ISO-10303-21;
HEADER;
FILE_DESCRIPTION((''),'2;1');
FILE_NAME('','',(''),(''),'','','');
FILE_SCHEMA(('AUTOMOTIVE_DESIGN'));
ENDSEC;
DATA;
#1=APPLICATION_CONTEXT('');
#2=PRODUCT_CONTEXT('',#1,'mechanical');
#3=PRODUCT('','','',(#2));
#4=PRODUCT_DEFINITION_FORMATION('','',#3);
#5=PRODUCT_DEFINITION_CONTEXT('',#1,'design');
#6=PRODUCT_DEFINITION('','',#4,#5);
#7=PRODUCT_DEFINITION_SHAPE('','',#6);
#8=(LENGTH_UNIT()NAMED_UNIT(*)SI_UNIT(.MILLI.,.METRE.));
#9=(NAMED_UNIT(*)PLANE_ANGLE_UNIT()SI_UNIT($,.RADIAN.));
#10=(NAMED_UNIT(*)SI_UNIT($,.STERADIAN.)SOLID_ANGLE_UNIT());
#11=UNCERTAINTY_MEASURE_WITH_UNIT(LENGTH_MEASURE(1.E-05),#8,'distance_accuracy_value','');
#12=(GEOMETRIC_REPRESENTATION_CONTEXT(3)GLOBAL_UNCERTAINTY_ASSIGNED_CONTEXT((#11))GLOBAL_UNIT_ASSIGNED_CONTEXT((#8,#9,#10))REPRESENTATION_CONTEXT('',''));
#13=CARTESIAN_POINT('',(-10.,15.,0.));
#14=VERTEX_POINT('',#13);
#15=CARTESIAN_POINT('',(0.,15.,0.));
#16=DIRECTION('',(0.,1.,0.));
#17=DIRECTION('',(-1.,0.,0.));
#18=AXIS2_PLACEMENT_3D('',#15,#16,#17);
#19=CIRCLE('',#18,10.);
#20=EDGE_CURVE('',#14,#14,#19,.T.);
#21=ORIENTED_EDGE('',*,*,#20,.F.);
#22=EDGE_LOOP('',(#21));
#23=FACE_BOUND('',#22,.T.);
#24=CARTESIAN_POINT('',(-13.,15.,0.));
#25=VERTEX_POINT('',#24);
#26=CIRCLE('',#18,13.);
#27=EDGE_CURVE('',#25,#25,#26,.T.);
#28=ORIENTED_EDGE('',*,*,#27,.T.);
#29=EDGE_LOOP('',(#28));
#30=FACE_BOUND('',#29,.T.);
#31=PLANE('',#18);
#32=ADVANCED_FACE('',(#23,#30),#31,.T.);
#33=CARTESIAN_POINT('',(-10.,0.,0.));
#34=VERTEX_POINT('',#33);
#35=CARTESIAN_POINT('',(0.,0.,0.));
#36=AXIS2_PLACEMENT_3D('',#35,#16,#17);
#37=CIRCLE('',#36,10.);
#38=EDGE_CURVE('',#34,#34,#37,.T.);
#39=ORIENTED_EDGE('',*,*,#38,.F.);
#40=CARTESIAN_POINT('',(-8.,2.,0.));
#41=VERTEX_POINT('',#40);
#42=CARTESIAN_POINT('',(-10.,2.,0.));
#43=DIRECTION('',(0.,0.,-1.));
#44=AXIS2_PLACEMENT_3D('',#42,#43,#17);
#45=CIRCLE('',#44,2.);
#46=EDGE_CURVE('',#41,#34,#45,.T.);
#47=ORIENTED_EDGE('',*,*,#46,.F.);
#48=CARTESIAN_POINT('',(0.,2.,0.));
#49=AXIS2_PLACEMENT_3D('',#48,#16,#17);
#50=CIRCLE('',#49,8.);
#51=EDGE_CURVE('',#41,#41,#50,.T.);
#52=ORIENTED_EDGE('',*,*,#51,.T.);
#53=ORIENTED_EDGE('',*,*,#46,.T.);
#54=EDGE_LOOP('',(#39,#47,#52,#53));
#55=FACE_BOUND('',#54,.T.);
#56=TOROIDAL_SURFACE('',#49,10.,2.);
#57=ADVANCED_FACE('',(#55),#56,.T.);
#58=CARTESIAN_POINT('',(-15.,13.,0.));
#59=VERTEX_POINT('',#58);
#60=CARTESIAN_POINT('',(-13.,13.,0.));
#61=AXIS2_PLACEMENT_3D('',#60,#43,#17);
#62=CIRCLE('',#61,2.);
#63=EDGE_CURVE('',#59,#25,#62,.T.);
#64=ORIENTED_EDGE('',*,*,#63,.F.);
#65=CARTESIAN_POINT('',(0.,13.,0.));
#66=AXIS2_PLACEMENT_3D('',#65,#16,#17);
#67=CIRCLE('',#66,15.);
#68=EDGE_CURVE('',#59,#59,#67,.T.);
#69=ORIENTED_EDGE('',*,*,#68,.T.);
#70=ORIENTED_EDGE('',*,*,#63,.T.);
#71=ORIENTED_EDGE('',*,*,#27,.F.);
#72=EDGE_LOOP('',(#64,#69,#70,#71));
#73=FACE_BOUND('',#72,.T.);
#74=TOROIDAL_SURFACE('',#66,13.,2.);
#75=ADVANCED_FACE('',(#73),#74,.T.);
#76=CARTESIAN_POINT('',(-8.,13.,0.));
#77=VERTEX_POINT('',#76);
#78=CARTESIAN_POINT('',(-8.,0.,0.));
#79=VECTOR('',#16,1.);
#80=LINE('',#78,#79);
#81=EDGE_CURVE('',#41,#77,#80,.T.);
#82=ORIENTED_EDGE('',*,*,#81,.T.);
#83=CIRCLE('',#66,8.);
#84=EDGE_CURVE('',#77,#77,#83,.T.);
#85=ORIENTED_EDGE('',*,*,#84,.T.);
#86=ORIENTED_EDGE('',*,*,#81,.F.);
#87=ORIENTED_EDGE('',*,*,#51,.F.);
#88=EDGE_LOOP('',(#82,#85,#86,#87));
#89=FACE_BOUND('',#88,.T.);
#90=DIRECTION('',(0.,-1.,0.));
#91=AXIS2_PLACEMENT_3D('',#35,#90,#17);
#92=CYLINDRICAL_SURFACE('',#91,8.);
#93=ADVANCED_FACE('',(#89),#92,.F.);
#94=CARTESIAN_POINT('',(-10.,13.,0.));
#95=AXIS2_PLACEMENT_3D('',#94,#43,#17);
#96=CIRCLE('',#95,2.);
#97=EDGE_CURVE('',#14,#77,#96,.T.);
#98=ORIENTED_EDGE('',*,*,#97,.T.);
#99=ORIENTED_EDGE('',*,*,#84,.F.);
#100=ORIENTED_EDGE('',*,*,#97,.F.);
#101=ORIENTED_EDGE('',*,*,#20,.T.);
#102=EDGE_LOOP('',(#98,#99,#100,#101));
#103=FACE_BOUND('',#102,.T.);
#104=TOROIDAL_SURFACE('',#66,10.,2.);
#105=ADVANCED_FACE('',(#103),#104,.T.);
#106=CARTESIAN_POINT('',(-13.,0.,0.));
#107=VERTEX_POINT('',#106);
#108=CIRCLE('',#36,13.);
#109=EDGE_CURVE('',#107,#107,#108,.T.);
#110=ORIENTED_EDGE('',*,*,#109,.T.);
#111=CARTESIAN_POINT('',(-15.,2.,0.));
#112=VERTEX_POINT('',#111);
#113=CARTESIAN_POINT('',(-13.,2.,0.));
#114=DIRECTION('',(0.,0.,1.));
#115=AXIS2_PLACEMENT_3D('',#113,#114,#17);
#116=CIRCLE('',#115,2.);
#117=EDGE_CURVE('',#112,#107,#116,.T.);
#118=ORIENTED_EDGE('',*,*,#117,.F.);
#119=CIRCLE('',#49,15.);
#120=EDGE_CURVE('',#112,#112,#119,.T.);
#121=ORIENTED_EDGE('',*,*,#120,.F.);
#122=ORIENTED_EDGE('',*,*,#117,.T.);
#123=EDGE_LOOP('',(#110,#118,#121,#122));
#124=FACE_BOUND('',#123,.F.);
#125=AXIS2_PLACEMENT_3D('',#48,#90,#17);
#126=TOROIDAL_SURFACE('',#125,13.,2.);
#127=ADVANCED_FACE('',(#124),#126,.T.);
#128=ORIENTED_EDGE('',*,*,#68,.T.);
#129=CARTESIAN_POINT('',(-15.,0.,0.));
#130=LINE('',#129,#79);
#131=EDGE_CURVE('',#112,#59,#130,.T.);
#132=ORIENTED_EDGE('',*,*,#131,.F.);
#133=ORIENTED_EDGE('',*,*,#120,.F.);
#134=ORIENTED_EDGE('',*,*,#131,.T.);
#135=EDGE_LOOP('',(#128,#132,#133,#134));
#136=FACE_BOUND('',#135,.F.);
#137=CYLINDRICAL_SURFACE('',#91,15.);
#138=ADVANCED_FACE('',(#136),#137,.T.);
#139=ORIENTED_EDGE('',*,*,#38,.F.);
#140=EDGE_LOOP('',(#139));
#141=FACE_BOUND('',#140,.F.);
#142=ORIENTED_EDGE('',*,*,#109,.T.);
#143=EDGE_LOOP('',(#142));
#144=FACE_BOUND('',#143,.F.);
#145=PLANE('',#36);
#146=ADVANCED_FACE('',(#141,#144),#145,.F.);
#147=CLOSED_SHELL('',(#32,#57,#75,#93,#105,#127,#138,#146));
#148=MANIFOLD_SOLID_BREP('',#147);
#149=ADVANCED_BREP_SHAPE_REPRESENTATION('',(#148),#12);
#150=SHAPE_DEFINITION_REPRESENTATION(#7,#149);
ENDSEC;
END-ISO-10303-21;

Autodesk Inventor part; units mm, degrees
ref_plane "YZ Plane" through (0, 0, 0) normal (1, 0, 0) x (0, 1, 0)
ref_plane "XZ Plane" through (0, 0, 0) normal (0, 1, 0) x (-1, 0, 0)
ref_plane "XY Plane" through (0, 0, 0) normal (0, 0, 1) x (1, 0, 0)
sketch "Sketch1" plane through (0, 0, 0) normal (0, 1, 0) x (-1, 0, 0)
  point P0 (0, 0)
sketch "Sketch2" plane through (0, 0, 0) normal (0, 1, 0) x (-1, 0, 0)
  circle A0 centre (0, 0) radius 8
  circle A1 centre (0, 0) radius 15
  dimension "d0" = 16
  dimension "d1" = 30
extrude "Extrusion1" add sketch "Sketch2" along normal blind 15
fillet "Fillet1" radius 2 1 edges at (15, 15, 0)
fillet "Fillet2" radius 2 1 edges at (8, 15, 0)
fillet "Fillet3" radius 2 2 edges at (15, 0, 0) (8, 0, 0)
properties part number "coil"
